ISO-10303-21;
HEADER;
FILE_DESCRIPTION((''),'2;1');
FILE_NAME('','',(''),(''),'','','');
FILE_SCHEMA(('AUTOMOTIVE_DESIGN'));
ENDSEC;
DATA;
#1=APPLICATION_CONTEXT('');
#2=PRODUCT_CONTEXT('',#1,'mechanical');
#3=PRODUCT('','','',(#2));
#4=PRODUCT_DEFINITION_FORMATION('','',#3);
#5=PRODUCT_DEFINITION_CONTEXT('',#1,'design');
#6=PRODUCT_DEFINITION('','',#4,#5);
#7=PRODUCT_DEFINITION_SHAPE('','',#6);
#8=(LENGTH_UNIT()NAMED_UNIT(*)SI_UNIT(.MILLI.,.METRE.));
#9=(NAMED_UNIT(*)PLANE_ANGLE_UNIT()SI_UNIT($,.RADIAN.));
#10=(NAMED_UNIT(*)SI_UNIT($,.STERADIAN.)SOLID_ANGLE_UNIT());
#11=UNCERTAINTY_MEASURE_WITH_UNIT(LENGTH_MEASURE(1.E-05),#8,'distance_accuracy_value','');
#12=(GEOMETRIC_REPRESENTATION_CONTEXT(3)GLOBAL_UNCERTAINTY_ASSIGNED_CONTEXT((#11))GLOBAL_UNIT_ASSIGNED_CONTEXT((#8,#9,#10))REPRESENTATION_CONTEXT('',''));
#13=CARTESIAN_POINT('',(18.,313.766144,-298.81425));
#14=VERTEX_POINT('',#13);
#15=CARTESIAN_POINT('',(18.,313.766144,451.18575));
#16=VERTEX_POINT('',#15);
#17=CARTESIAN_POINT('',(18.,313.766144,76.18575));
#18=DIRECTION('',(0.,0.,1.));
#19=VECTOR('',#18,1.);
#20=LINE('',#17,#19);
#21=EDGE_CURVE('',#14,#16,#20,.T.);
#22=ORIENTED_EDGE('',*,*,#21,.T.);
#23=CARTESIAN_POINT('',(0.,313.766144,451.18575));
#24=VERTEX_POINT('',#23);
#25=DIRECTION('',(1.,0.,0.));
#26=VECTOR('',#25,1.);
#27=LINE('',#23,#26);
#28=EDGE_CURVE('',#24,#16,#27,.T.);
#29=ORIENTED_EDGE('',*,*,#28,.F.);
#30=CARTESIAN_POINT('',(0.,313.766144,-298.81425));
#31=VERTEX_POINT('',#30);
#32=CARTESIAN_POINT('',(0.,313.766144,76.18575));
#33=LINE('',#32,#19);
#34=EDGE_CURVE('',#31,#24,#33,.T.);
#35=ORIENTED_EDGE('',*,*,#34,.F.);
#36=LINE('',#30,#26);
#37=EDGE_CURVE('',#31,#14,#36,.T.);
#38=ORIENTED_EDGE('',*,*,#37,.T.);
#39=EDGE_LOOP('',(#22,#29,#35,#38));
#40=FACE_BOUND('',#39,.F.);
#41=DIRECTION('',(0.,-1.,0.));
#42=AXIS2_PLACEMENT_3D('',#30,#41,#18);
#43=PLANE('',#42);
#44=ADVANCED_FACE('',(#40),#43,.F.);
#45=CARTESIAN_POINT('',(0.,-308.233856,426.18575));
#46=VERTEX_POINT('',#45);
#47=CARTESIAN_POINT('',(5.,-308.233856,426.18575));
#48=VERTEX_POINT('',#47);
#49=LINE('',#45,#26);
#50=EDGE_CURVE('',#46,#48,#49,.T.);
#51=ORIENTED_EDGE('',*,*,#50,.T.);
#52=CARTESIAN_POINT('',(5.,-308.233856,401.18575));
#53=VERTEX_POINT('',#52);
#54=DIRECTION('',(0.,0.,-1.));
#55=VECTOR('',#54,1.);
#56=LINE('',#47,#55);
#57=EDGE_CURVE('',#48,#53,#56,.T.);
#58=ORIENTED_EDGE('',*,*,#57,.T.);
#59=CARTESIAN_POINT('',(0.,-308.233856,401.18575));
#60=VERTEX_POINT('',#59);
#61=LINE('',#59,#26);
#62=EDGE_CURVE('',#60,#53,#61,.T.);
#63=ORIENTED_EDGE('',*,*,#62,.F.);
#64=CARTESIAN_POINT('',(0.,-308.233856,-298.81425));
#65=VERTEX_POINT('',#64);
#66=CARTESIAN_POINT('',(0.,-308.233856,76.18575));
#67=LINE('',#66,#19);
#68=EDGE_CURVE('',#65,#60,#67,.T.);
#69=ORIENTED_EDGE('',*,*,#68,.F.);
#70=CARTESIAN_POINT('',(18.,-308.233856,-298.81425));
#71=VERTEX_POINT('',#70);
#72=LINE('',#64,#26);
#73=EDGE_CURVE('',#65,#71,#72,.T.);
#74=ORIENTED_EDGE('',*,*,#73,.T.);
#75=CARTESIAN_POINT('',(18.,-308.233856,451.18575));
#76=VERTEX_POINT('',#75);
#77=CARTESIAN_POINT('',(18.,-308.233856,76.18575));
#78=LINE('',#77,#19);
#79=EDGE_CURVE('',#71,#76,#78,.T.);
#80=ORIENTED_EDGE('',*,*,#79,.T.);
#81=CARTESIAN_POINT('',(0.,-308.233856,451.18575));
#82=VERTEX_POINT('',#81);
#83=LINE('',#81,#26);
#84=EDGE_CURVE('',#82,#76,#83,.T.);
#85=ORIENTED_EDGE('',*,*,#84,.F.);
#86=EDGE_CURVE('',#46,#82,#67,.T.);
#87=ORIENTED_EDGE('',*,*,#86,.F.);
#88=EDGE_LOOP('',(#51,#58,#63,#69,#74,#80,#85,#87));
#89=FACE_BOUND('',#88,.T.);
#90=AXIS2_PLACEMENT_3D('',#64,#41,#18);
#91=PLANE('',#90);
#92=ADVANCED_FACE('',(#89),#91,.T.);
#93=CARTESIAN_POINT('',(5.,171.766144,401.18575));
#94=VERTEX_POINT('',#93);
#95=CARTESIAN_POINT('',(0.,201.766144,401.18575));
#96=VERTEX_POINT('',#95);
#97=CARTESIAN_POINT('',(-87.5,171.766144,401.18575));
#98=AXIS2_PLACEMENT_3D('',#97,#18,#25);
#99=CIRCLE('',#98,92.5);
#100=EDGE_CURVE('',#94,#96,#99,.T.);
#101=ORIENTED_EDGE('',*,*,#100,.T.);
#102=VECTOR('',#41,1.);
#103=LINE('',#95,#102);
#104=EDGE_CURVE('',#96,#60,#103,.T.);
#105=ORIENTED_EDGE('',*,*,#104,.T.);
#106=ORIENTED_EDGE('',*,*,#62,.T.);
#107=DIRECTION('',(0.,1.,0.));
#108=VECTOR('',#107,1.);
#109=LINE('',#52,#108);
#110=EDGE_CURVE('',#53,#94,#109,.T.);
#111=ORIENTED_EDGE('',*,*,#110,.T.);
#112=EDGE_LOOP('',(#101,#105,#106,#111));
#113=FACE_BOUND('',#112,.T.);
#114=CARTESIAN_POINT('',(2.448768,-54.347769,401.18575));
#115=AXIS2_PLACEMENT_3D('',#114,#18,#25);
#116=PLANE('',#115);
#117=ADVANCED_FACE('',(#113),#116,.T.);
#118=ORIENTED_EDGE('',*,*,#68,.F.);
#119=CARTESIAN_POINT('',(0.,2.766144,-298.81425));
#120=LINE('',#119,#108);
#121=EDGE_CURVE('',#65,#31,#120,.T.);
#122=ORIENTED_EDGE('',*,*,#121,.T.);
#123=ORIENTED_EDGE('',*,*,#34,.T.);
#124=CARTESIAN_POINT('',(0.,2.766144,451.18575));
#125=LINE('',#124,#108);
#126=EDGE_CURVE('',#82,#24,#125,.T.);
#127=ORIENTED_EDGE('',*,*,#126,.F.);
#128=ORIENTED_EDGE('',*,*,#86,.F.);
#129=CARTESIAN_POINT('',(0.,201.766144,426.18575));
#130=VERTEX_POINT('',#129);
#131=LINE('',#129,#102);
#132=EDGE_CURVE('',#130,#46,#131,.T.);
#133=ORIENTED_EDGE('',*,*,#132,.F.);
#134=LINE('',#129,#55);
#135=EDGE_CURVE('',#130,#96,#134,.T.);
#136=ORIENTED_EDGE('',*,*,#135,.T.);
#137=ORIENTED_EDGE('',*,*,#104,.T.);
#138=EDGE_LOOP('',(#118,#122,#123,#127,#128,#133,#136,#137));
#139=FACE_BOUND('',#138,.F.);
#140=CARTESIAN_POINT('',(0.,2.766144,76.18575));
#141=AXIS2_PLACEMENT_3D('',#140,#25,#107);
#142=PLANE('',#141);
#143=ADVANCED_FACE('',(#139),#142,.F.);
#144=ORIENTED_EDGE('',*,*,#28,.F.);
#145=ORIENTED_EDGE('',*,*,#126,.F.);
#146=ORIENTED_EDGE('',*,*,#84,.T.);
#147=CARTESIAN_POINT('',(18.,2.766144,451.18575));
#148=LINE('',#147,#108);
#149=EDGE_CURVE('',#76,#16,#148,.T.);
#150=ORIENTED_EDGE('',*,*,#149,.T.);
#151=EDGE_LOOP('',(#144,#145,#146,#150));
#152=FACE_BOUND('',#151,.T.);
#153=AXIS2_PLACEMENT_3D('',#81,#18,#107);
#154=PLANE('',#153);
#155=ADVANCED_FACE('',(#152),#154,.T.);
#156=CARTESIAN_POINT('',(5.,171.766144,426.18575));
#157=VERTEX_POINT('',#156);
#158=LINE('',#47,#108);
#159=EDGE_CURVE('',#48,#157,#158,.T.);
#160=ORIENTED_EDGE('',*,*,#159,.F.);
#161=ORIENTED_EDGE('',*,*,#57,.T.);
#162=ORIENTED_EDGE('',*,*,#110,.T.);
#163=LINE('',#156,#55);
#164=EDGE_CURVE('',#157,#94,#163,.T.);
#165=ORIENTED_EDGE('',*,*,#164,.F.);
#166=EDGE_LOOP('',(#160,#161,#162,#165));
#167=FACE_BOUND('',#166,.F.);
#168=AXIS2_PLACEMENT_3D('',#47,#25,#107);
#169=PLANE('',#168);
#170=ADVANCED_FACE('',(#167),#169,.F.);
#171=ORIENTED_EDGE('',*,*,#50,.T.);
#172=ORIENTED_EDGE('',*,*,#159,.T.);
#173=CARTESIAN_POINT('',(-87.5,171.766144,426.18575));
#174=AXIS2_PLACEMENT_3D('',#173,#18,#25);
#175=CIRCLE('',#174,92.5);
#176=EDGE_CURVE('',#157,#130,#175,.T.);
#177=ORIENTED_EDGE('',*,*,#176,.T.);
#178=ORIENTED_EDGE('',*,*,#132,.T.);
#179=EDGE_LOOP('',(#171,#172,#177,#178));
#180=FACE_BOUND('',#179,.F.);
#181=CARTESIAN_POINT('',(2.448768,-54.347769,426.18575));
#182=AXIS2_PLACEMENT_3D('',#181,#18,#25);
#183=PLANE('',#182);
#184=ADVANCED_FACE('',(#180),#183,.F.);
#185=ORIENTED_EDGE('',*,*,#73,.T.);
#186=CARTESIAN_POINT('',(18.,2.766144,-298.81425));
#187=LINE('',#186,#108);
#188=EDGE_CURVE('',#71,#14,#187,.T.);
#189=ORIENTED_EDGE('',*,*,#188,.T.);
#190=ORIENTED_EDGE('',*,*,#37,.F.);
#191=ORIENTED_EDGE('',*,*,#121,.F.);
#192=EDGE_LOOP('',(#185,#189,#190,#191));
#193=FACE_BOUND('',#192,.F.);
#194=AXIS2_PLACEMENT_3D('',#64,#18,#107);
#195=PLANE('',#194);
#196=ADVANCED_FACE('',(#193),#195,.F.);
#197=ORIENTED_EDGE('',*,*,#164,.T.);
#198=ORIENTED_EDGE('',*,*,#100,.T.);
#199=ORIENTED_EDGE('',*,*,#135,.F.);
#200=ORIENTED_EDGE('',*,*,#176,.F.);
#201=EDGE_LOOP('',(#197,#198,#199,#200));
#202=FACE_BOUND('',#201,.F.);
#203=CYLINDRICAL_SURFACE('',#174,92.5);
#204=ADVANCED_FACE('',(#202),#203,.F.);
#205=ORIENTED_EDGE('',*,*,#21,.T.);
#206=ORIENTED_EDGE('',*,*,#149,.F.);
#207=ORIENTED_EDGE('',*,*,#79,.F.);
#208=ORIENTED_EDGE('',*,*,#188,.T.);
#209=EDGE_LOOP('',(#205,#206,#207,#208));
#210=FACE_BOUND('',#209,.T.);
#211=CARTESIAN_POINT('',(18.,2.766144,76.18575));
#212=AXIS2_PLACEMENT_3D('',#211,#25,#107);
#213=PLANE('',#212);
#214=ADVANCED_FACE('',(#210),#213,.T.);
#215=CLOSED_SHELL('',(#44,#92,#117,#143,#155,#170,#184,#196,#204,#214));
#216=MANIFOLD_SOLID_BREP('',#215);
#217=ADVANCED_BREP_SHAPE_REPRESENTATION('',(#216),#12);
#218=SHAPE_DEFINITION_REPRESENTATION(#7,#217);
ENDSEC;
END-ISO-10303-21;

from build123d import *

# Parameters (mm, degrees)
F0_W     = 622
F0_H     = 750
F1_DEPTH = 18
F4_DEPTH = 25


with BuildPart() as f1:
    # F0 (on Right) → F1 (new body)
    with BuildSketch(Plane.YZ):
        with Locations((2.7661435306, 76.1857503125)):
            Rectangle(F0_W, F0_H)
    extrude(amount=F1_DEPTH)

    # F3 (on offset) → F4 (cut)
    with BuildSketch(Plane.XY.offset(426.1857503125)):
        with BuildLine():
            Line((0, -308.2338564694), (5, -308.2338564694))
            Line((5, -308.2338564694), (5, 171.7661435306))
            ThreePointArc((5, 171.7661435306), (3.7414379545, 186.9730498564), (0, 201.7661435306))
            Line((0, 201.7661435306), (0, -308.2338564694))
        make_face()
    extrude(amount=-F4_DEPTH, mode=Mode.SUBTRACT)


solid = f1.part
